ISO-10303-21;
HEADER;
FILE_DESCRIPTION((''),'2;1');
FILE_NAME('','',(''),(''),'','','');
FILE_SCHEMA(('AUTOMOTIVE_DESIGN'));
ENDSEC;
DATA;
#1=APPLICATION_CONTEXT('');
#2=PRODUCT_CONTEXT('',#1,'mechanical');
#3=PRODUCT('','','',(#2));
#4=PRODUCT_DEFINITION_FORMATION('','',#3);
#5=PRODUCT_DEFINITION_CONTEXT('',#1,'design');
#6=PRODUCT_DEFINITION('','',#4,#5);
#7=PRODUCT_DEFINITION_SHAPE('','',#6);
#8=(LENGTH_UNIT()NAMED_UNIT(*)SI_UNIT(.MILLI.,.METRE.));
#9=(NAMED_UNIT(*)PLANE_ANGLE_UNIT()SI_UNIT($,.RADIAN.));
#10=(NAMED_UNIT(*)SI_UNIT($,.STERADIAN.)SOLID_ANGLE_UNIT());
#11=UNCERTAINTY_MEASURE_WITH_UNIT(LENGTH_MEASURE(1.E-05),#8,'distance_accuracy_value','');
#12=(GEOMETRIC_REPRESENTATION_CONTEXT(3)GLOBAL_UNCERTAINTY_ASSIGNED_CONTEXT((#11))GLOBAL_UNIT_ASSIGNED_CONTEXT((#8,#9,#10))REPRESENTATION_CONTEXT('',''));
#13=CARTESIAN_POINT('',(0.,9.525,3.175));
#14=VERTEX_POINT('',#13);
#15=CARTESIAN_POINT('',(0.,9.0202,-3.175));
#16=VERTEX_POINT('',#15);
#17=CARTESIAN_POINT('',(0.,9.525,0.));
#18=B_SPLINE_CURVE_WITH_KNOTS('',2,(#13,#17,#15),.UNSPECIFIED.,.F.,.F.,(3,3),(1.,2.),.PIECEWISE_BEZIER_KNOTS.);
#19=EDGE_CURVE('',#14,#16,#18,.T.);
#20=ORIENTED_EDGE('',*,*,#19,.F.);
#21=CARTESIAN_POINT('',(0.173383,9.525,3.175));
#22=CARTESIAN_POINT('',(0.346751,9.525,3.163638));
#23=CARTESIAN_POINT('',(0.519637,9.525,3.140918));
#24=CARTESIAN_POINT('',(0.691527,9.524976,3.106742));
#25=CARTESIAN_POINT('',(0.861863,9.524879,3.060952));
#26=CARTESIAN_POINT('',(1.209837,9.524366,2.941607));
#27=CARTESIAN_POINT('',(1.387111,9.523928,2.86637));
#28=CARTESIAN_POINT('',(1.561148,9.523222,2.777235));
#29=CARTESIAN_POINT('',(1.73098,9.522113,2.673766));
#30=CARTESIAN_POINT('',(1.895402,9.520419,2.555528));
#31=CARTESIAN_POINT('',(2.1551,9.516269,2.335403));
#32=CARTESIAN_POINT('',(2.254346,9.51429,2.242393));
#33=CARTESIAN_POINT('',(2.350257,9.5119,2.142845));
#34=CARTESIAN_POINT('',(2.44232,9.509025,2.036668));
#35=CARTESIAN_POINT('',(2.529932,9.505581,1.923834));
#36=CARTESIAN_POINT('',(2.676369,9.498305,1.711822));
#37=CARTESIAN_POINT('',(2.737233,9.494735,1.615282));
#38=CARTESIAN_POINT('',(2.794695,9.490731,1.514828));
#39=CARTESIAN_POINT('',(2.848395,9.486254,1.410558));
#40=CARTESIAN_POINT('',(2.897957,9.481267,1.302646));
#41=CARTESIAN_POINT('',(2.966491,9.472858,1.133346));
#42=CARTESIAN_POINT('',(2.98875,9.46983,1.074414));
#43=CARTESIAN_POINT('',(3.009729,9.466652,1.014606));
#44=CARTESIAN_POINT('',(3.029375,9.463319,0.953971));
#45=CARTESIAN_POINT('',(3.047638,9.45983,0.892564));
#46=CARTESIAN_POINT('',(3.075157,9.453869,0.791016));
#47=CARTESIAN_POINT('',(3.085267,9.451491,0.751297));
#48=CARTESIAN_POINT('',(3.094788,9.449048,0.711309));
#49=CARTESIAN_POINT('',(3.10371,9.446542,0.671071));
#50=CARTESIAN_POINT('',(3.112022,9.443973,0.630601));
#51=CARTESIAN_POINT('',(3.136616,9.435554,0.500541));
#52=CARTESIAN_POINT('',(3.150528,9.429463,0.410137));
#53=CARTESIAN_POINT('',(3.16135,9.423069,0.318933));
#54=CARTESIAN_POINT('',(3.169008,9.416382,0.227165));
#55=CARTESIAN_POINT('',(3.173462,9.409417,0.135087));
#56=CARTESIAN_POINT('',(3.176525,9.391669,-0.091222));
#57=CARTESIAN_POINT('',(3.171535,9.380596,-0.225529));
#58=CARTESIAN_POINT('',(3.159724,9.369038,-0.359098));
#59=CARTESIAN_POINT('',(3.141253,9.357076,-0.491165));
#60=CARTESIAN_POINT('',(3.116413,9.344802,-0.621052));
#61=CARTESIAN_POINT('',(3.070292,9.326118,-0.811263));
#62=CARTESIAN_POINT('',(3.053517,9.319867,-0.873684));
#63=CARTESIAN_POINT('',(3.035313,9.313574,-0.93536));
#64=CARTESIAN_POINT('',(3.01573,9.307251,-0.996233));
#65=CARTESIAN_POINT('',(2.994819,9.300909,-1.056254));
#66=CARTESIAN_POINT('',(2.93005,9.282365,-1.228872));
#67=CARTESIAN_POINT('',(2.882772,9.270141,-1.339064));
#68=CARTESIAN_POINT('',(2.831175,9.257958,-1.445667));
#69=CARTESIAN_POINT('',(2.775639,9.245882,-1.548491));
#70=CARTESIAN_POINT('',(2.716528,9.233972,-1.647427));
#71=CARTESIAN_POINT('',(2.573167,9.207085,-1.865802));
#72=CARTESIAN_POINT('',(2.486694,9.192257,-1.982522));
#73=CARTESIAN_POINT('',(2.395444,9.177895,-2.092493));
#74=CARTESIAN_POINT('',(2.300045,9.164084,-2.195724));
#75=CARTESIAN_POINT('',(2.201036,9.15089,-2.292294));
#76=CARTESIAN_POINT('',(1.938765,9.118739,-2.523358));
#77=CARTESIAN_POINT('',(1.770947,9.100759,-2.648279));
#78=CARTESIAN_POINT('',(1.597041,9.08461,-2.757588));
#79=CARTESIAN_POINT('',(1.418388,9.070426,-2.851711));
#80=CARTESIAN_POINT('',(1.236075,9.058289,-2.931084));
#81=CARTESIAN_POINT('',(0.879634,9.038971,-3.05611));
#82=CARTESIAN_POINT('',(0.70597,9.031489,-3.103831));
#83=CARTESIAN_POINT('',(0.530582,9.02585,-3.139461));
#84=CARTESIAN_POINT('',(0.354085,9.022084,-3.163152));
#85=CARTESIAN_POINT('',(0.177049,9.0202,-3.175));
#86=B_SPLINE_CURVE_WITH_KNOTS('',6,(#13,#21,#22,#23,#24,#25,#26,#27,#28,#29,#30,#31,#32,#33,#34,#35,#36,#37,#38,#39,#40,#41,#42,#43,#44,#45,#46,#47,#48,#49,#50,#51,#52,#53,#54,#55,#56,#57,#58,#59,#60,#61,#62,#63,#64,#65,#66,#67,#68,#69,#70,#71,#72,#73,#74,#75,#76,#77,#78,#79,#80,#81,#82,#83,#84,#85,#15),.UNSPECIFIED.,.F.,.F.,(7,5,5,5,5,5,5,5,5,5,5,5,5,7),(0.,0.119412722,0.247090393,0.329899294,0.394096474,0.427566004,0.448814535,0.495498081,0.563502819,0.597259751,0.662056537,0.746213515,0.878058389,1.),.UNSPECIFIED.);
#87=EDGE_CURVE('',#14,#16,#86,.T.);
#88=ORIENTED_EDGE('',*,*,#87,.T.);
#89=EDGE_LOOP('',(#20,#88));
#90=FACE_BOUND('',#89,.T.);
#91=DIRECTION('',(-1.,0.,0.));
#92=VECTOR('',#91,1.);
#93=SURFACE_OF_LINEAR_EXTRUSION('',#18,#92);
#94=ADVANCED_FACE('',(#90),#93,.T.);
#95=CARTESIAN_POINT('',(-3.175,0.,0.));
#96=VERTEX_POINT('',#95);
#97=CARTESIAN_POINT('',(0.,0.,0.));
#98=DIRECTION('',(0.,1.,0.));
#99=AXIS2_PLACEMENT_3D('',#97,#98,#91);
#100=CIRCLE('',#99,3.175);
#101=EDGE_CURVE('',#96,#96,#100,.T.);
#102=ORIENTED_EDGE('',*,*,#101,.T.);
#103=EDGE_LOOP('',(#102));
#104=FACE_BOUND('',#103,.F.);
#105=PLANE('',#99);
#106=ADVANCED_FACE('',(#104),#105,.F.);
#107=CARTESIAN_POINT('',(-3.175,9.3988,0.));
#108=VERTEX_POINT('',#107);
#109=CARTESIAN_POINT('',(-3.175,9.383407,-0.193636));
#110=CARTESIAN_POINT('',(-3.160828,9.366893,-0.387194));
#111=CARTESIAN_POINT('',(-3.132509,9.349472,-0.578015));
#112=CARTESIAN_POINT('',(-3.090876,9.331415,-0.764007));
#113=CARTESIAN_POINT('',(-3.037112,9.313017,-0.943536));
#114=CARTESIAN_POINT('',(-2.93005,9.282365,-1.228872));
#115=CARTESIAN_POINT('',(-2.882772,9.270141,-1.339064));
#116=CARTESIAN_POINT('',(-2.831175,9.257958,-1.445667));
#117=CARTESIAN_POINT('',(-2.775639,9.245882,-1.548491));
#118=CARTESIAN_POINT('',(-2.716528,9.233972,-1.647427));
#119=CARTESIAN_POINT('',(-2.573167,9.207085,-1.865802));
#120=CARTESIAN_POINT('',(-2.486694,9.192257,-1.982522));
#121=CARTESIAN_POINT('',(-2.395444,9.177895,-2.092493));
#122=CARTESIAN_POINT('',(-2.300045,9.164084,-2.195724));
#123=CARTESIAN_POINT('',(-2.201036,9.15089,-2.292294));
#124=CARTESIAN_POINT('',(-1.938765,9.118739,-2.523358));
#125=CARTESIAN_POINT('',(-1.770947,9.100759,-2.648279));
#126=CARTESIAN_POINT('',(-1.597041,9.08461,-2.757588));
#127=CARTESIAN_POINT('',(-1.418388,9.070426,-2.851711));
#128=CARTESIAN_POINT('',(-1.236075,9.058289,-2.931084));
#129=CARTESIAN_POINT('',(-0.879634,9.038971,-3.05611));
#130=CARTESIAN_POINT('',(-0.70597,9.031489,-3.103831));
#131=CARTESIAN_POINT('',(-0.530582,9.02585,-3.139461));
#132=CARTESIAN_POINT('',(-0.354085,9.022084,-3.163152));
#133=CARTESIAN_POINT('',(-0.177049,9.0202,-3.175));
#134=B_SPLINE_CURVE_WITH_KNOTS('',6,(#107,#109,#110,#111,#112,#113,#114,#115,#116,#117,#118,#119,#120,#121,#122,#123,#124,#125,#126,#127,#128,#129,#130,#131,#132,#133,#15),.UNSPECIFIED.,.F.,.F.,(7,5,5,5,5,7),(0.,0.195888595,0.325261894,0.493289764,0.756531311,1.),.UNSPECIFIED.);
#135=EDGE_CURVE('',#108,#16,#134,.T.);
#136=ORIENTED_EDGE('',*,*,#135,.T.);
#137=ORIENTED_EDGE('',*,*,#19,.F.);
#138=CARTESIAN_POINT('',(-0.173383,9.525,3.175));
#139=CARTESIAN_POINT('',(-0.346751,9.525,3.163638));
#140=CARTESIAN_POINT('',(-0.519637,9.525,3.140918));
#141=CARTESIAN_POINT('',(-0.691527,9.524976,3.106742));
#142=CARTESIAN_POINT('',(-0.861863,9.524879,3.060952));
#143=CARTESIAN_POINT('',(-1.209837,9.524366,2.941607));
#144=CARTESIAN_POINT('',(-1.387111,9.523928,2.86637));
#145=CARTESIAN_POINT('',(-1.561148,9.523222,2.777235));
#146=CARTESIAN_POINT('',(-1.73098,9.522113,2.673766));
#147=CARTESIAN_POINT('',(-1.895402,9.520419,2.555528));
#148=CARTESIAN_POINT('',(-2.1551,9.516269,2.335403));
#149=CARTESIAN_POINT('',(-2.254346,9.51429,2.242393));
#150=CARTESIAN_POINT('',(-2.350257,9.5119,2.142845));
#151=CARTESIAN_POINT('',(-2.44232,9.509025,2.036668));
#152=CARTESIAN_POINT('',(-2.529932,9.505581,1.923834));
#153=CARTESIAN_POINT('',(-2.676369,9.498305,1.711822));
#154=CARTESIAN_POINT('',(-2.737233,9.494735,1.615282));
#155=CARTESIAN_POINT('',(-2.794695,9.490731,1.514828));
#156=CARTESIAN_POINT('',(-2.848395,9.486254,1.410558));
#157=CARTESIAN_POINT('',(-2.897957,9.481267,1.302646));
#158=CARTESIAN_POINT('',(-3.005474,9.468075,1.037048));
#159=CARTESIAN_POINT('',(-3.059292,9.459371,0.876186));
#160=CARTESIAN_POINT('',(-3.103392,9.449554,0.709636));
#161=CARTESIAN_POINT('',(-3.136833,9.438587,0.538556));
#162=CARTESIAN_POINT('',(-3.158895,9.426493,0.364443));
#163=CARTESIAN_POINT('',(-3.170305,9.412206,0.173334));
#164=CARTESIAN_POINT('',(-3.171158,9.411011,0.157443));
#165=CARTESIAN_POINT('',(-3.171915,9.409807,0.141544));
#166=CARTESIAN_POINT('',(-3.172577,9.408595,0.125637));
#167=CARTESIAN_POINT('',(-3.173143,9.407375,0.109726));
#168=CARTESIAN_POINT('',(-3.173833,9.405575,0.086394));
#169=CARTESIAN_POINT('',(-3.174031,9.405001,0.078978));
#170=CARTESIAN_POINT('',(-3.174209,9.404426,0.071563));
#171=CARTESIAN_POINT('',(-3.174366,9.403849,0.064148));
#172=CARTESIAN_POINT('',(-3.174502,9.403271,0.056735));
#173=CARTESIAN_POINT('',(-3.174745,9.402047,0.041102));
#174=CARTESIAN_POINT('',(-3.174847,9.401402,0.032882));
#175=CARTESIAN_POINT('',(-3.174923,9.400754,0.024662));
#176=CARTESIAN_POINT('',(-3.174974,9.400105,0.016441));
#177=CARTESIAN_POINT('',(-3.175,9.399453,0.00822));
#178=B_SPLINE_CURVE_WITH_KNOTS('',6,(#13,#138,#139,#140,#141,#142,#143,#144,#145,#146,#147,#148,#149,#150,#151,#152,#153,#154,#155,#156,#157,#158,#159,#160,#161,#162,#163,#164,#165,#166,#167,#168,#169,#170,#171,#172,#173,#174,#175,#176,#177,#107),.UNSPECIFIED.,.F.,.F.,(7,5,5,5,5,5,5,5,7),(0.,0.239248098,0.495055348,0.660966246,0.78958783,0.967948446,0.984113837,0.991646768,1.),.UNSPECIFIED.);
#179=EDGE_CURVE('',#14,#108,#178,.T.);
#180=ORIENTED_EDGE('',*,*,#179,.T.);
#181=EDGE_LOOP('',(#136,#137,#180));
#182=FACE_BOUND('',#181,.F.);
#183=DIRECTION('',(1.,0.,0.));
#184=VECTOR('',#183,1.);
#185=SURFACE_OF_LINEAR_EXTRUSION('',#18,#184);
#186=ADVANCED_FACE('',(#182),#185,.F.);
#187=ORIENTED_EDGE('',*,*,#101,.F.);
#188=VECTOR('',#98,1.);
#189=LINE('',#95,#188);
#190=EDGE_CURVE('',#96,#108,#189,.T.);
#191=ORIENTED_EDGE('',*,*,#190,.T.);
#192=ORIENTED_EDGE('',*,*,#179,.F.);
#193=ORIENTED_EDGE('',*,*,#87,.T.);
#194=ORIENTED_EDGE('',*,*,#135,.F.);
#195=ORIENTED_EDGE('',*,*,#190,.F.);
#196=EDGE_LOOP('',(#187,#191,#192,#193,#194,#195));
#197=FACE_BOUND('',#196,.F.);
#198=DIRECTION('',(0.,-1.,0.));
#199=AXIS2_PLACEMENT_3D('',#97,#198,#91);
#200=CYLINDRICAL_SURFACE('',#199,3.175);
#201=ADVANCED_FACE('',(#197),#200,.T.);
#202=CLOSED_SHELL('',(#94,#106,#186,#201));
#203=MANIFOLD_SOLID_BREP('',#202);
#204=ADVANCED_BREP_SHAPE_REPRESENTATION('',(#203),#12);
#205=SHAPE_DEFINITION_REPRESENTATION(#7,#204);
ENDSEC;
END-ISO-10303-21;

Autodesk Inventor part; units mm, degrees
ref_plane "YZ Plane" through (0, 0, 0) normal (1, 0, 0) x (0, 1, 0)
ref_plane "XZ Plane" through (0, 0, 0) normal (0, 1, 0) x (-1, 0, 0)
ref_plane "XY Plane" through (0, 0, 0) normal (0, 0, 1) x (1, 0, 0)
sketch "Sketch1" plane through (0, 0, 0) normal (0, 1, 0) x (-1, 0, 0)
  circle A0 centre (0, 0) radius 3.175
  dimension "d0" = 6.35
extrude "Extrusion1" add sketch "Sketch1" along normal blind 9.525
sketch "Sketch2" plane through (0, 0, 0) normal (1, 0, 0) x (0, 1, 0)
  line L0 (9.525, -3.175) -> (9.525, 3.175) projected
  line L1 (9.525, 3.175) -> (9.525, 0) construction
  line L2 (0, -3.175) -> (9.525, -3.175) projected
  line L3 (9.525, 0) -> (9.0202, -3.175) construction
  spline S0 degree 2 poles (9.525, 3.175) (9.525, 0) (9.0202, -3.175) knots 1 1 1 2 2 2
  point P0 (0, 0)
extrude "Extrusion2" cut sketch "Sketch2" along normal through all both and the other way through all
properties part number "sailScrewCoverCurved" material "ABS Plastic"
